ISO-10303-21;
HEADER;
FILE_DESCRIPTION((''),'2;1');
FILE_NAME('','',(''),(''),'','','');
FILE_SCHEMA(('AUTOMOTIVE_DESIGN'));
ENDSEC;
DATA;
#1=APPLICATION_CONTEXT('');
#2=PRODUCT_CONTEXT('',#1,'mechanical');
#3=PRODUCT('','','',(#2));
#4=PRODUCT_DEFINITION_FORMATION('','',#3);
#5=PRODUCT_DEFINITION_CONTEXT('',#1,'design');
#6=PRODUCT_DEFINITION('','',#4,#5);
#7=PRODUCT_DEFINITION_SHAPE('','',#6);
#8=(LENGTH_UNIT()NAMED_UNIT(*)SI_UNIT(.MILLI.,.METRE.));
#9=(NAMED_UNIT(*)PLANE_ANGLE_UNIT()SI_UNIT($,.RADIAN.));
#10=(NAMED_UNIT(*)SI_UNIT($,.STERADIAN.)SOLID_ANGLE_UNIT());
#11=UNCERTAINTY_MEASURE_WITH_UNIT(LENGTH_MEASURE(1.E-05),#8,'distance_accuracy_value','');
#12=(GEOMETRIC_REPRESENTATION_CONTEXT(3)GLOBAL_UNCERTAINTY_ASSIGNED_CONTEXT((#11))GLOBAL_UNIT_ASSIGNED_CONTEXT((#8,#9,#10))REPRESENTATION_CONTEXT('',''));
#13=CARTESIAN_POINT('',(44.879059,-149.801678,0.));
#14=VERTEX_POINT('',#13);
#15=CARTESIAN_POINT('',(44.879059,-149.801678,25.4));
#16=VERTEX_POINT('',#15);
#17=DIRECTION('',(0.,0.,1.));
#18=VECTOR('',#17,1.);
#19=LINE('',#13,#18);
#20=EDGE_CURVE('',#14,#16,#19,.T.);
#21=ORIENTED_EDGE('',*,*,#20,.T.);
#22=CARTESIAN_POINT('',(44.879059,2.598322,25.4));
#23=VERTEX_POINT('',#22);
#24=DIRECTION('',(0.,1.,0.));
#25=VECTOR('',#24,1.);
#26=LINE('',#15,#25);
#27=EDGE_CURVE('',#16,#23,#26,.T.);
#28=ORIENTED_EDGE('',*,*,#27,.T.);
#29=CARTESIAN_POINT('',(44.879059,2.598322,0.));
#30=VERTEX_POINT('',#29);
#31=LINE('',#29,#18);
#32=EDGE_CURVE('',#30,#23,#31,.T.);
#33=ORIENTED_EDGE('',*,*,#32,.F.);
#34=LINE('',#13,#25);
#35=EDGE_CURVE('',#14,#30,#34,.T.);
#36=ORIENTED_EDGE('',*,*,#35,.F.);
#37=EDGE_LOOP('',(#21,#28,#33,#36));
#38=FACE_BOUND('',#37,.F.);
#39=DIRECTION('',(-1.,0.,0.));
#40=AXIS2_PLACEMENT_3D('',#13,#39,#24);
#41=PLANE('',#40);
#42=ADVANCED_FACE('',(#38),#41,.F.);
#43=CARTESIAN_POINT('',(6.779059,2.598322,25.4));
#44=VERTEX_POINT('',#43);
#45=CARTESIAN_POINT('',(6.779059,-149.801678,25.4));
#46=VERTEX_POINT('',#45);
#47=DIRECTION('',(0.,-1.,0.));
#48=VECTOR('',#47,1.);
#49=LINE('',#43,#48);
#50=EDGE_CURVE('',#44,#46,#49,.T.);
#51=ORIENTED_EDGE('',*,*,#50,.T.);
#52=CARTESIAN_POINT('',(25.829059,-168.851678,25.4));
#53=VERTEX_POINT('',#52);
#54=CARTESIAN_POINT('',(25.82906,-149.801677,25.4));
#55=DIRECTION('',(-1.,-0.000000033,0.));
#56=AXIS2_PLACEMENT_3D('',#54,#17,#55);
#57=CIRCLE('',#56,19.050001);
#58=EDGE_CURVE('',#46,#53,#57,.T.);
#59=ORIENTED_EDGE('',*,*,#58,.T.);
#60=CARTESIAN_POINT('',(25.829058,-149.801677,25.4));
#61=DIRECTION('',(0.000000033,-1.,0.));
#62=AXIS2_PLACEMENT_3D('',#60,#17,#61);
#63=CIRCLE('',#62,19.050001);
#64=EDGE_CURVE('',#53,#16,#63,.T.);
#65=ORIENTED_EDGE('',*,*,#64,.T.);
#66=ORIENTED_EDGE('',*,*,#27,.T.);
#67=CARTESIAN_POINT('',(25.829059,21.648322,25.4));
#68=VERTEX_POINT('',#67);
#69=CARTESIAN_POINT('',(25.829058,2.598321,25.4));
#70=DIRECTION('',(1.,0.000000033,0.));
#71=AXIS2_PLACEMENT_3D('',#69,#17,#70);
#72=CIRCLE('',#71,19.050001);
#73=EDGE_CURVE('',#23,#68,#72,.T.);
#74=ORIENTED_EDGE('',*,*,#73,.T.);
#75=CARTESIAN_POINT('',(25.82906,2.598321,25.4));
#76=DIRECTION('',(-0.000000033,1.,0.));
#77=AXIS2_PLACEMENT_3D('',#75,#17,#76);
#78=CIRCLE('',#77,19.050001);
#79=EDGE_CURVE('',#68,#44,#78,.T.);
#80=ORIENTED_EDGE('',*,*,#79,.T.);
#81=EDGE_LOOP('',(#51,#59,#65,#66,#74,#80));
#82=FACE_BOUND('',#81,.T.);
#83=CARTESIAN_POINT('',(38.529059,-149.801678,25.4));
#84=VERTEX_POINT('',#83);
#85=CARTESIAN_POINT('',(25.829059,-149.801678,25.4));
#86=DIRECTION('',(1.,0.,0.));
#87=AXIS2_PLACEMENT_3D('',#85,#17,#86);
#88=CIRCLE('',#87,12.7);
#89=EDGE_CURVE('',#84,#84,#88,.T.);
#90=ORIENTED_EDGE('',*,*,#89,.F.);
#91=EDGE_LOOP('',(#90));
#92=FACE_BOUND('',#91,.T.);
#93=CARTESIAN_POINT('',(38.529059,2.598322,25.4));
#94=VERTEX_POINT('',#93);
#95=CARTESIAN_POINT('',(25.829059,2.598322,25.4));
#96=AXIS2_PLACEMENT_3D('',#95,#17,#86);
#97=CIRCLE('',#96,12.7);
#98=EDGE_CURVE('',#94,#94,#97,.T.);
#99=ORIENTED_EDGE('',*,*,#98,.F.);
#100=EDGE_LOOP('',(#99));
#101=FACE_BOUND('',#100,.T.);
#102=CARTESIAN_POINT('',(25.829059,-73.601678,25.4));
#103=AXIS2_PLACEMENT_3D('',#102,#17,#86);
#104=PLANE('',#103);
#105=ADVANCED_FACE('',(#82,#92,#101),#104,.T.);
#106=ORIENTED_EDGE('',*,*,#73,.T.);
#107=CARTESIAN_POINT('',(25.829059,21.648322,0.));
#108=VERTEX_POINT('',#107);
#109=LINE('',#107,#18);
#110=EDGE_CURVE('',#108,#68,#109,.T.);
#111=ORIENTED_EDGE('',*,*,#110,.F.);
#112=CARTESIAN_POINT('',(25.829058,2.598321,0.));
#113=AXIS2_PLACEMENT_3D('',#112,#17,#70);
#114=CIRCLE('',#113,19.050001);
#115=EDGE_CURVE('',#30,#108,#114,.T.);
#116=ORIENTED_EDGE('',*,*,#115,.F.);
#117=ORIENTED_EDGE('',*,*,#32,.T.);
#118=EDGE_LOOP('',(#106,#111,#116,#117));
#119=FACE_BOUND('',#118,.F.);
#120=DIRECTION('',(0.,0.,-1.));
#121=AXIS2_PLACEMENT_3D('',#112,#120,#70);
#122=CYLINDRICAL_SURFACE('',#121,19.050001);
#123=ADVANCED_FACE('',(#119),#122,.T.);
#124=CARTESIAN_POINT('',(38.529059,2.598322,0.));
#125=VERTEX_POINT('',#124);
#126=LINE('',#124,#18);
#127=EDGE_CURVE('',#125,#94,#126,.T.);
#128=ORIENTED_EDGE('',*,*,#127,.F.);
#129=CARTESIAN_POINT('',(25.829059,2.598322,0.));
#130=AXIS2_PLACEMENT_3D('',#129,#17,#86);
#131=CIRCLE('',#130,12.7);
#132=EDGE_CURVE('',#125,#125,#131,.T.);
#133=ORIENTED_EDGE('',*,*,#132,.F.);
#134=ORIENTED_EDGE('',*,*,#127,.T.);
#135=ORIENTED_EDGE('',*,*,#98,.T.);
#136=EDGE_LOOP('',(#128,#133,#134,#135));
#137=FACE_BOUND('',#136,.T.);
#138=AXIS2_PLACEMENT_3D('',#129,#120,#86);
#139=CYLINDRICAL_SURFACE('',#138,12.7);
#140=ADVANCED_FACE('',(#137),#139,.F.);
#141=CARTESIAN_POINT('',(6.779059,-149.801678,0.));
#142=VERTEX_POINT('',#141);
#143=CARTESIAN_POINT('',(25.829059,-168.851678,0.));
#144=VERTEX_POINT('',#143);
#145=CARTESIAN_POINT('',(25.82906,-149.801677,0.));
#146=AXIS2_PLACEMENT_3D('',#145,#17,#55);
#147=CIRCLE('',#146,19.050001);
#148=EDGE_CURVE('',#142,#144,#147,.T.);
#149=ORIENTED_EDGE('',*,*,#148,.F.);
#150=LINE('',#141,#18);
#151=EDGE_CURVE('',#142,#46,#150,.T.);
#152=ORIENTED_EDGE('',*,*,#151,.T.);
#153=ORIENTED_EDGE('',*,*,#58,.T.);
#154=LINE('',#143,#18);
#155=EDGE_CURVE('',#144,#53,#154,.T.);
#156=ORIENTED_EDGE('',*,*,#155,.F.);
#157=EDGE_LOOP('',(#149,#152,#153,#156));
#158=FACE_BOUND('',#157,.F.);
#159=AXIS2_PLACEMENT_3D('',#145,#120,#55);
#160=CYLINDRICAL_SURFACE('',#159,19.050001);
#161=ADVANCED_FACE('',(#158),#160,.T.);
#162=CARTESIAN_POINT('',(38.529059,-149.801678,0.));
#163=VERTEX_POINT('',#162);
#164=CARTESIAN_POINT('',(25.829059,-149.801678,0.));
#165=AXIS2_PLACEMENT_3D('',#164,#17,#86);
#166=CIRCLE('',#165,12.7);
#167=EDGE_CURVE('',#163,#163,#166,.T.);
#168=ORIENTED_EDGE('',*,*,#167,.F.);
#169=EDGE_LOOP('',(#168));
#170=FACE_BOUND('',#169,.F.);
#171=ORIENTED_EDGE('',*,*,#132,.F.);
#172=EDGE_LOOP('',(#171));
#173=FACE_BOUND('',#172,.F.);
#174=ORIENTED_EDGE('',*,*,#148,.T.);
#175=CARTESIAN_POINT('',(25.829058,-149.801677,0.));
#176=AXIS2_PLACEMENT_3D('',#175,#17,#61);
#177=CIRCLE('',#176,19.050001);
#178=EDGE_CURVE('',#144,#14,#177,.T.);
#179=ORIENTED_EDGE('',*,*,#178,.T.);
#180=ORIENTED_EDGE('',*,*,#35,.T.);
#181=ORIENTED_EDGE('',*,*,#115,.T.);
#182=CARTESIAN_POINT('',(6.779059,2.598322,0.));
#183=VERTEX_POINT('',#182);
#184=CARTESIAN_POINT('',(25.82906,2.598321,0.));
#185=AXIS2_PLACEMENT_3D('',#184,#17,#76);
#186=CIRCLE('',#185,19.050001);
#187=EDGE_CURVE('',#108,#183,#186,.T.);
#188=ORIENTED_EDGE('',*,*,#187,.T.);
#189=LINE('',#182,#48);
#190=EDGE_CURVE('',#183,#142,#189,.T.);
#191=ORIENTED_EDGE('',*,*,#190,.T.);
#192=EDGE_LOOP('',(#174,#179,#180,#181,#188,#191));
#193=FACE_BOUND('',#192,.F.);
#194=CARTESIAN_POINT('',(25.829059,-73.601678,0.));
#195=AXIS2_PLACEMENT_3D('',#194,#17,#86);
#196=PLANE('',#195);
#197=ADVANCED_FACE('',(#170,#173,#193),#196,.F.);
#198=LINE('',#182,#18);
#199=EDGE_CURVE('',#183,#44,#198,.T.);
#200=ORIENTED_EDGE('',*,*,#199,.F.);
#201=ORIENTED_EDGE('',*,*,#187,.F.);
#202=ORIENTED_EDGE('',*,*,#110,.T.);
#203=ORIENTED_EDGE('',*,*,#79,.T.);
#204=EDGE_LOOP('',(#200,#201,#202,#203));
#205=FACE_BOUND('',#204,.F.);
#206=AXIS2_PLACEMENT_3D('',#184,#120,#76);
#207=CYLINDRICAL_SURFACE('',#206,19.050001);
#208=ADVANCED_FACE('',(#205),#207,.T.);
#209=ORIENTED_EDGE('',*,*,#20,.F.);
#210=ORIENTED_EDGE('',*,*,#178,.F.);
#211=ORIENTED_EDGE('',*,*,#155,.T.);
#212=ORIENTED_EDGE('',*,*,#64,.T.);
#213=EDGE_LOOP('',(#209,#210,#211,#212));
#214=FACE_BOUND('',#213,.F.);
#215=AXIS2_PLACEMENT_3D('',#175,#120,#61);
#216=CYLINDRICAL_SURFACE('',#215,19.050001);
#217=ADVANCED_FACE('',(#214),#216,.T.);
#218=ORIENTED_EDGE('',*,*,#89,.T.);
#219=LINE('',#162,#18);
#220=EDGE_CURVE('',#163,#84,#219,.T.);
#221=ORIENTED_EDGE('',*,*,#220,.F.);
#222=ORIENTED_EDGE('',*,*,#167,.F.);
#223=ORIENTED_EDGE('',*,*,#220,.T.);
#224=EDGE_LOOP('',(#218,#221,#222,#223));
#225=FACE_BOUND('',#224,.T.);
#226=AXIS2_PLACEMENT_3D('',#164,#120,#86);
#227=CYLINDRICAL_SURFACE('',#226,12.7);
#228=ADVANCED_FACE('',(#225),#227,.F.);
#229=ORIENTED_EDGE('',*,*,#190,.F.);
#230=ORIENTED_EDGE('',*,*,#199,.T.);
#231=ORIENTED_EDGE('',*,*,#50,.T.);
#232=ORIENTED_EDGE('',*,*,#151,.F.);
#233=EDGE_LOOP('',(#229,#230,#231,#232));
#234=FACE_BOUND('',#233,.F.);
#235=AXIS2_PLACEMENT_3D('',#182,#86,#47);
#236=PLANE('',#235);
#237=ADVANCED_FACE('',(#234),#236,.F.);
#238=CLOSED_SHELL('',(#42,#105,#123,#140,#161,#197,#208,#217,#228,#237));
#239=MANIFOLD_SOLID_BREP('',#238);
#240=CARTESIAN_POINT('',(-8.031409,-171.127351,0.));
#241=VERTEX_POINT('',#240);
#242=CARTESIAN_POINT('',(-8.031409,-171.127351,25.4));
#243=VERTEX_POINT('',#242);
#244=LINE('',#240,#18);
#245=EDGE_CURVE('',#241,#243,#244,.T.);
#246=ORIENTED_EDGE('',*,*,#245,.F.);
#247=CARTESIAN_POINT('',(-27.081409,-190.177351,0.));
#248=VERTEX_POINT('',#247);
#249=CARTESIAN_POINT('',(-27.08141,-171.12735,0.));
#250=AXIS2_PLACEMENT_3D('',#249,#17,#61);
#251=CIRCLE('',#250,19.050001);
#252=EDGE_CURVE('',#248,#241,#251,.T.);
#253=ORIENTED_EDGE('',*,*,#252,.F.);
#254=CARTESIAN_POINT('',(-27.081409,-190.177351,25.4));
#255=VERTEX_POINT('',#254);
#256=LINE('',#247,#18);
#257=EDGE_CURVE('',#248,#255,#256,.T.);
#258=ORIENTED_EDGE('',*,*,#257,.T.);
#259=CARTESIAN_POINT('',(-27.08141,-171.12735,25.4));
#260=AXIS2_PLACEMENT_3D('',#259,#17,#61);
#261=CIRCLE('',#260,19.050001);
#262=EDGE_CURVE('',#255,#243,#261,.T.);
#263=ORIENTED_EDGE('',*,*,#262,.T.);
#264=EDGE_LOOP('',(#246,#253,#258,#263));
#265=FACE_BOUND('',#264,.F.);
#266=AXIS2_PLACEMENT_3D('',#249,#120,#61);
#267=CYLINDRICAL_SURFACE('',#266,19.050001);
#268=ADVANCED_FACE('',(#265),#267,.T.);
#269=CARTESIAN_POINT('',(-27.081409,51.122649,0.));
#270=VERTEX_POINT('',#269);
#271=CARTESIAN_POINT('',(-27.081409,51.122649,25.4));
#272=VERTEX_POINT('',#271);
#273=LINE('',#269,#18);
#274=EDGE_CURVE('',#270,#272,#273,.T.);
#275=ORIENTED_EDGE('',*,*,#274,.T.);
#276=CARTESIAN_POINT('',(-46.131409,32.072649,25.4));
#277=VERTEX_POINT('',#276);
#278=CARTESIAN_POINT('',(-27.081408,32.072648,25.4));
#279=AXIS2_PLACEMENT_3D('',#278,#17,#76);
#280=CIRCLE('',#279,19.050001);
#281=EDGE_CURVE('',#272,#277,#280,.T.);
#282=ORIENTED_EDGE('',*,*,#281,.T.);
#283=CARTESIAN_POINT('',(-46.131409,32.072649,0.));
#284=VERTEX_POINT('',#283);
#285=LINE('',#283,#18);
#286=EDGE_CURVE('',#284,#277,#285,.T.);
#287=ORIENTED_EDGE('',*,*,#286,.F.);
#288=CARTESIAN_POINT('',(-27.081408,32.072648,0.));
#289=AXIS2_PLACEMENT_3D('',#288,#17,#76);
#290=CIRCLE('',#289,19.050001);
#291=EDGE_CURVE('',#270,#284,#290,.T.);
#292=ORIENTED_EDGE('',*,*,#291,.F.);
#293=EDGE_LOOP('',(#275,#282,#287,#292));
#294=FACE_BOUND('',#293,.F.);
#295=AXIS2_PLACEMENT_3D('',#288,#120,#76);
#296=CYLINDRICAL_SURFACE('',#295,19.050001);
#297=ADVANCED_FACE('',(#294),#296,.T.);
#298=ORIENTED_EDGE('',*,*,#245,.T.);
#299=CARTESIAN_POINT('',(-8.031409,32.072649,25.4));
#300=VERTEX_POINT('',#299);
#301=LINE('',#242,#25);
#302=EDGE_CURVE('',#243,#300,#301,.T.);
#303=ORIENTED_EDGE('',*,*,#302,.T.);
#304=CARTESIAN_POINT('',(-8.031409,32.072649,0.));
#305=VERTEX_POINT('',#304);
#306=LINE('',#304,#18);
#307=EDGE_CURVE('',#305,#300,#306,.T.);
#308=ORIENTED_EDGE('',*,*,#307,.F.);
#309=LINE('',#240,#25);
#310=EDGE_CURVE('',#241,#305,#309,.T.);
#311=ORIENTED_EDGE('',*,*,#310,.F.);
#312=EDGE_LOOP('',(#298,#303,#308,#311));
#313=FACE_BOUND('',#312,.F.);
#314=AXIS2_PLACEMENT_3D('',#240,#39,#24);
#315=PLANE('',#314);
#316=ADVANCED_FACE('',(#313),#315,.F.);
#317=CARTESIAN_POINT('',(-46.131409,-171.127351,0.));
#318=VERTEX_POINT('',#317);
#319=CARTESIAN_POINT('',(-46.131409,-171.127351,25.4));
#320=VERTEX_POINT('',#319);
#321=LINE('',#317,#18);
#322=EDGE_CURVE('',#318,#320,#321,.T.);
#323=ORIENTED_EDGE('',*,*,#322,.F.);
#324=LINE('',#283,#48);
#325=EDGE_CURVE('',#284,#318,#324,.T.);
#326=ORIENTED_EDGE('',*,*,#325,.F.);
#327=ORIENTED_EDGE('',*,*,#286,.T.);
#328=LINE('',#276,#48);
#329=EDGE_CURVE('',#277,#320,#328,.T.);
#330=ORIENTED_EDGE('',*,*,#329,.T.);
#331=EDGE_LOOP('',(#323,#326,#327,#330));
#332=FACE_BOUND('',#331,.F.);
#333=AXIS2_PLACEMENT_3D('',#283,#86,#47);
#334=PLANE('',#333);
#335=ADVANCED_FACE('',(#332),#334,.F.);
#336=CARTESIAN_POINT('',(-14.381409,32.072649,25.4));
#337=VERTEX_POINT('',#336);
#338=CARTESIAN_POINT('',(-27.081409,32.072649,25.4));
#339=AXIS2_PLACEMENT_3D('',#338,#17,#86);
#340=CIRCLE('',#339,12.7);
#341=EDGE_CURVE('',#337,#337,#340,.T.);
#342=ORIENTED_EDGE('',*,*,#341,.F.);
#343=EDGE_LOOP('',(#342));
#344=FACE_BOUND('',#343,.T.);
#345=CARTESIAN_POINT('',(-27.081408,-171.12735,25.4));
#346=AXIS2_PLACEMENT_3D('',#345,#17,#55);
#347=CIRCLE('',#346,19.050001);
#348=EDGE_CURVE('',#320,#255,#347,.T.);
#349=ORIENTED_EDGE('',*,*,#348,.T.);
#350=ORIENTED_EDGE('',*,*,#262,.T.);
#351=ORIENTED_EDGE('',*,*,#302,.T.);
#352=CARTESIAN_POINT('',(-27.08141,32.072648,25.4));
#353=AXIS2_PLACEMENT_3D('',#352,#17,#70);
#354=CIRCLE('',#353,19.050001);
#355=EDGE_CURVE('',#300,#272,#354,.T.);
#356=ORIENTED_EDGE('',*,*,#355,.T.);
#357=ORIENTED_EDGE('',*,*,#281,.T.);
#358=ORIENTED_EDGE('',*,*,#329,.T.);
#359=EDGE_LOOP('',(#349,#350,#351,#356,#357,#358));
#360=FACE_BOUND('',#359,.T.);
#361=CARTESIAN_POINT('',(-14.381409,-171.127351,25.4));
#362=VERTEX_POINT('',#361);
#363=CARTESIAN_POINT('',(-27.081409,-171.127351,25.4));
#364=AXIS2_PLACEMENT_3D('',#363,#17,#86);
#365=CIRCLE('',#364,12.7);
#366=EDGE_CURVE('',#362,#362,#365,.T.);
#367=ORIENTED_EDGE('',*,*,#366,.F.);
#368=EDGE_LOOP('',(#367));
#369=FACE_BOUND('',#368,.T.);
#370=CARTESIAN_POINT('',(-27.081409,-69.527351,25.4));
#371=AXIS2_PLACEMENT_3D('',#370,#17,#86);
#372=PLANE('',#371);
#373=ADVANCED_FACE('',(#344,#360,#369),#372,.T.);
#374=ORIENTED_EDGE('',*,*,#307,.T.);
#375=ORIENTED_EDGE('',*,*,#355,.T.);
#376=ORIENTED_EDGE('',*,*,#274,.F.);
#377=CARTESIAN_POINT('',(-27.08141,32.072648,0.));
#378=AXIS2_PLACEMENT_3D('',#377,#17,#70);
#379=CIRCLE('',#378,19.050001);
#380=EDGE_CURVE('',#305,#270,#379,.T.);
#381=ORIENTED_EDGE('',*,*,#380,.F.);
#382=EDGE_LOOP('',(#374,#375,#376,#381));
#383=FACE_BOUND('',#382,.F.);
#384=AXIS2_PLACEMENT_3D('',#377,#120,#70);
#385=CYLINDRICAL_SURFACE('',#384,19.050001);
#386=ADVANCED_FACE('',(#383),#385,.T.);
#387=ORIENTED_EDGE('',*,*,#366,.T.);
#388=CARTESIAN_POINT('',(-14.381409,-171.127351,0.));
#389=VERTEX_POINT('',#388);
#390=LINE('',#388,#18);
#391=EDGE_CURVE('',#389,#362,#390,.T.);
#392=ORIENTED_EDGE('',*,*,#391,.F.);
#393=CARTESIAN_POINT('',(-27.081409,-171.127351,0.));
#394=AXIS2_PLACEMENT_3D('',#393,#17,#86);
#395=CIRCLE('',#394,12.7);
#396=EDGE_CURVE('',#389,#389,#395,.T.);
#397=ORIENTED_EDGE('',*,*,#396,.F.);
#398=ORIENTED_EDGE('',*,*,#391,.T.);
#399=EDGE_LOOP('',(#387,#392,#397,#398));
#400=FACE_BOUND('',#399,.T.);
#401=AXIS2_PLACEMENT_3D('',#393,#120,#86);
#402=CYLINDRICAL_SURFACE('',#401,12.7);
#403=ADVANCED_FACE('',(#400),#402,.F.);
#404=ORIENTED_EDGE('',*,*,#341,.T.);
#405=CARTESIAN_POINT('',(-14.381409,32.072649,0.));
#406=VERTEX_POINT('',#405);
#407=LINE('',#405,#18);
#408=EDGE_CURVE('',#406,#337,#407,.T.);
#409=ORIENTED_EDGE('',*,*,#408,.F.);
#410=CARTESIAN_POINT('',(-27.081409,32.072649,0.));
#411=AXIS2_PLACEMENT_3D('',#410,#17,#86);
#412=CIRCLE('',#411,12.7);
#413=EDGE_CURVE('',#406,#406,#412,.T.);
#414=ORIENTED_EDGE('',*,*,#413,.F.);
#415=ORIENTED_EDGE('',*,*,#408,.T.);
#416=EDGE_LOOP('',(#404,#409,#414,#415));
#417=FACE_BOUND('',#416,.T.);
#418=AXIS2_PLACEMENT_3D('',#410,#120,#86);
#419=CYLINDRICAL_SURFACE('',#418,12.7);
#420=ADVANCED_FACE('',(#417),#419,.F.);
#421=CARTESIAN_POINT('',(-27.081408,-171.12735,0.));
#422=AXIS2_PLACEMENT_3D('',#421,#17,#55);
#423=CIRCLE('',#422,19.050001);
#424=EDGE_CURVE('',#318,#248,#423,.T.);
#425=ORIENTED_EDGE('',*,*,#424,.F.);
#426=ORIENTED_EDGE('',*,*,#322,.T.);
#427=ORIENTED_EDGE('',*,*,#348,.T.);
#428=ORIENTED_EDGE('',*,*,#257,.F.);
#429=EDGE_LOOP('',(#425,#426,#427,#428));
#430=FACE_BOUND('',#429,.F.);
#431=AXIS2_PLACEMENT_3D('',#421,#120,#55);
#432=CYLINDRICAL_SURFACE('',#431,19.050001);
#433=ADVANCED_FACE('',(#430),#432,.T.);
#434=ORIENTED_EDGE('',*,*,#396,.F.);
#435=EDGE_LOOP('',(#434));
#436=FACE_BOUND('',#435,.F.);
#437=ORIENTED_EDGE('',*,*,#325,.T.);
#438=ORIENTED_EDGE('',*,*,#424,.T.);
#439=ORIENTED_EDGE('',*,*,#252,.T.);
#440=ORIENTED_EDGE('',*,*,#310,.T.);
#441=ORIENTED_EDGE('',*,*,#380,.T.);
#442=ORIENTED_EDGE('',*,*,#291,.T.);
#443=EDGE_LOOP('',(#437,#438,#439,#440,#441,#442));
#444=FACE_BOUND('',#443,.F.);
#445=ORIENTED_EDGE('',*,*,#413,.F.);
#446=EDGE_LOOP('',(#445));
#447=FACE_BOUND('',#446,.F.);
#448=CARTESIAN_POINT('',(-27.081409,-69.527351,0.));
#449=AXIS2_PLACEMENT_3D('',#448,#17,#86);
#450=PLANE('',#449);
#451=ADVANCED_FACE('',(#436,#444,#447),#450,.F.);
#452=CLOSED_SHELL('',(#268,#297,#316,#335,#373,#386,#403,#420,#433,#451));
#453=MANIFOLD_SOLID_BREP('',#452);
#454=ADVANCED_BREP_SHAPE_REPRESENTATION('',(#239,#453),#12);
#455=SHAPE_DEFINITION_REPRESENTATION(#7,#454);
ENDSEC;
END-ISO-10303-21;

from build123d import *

# Parameters (mm, degrees)
F0_R     = 12.7
F1_DEPTH = 25.4
F2_DEPTH = 25.4


with BuildPart() as f1:
    # F0 (on Top) → F1 (new body)
    with BuildSketch(Plane.XY):
        with BuildLine():
            ThreePointArc((-27.081409, 51.122649), (-40.551793, 45.543033), (-46.131409, 32.072649))
            Line((-46.131409, 32.072649), (-46.131409, -171.127351))
            ThreePointArc((-46.131409, -171.127351), (-40.551793, -184.597735), (-27.081409, -190.177351))
            ThreePointArc((-27.081409, -190.177351), (-13.611025, -184.597735), (-8.031409, -171.127351))
            Line((-8.031409, -171.127351), (-8.031409, 32.072649))
            ThreePointArc((-8.031409, 32.072649), (-13.611025, 45.543033), (-27.081409, 51.122649))
        make_face()
        with Locations((-27.081409, -171.127351)):
            Circle(F0_R, mode=Mode.SUBTRACT)
        with Locations((-27.081409, 32.072649)):
            Circle(F0_R, mode=Mode.SUBTRACT)
    extrude(amount=F1_DEPTH)


with BuildPart() as f2:
    # F0 (on Top) → F2 (new body)
    with BuildSketch(Plane.XY):
        with BuildLine():
            ThreePointArc((25.829059, 21.648322), (12.358675, 16.068706), (6.779059, 2.598322))
            Line((6.779059, 2.598322), (6.779059, -149.801678))
            ThreePointArc((6.779059, -149.801678), (12.358675, -163.272062), (25.829059, -168.851678))
            ThreePointArc((25.829059, -168.851678), (39.299443, -163.272062), (44.879059, -149.801678))
            Line((44.879059, -149.801678), (44.879059, 2.598322))
            ThreePointArc((44.879059, 2.598322), (39.299443, 16.068706), (25.829059, 21.648322))
        make_face()
        with Locations((25.829059, -149.801678)):
            Circle(F0_R, mode=Mode.SUBTRACT)
        with Locations((25.829059, 2.598322)):
            Circle(F0_R, mode=Mode.SUBTRACT)
    extrude(amount=F2_DEPTH)


solid = Compound([f1.part, f2.part])
